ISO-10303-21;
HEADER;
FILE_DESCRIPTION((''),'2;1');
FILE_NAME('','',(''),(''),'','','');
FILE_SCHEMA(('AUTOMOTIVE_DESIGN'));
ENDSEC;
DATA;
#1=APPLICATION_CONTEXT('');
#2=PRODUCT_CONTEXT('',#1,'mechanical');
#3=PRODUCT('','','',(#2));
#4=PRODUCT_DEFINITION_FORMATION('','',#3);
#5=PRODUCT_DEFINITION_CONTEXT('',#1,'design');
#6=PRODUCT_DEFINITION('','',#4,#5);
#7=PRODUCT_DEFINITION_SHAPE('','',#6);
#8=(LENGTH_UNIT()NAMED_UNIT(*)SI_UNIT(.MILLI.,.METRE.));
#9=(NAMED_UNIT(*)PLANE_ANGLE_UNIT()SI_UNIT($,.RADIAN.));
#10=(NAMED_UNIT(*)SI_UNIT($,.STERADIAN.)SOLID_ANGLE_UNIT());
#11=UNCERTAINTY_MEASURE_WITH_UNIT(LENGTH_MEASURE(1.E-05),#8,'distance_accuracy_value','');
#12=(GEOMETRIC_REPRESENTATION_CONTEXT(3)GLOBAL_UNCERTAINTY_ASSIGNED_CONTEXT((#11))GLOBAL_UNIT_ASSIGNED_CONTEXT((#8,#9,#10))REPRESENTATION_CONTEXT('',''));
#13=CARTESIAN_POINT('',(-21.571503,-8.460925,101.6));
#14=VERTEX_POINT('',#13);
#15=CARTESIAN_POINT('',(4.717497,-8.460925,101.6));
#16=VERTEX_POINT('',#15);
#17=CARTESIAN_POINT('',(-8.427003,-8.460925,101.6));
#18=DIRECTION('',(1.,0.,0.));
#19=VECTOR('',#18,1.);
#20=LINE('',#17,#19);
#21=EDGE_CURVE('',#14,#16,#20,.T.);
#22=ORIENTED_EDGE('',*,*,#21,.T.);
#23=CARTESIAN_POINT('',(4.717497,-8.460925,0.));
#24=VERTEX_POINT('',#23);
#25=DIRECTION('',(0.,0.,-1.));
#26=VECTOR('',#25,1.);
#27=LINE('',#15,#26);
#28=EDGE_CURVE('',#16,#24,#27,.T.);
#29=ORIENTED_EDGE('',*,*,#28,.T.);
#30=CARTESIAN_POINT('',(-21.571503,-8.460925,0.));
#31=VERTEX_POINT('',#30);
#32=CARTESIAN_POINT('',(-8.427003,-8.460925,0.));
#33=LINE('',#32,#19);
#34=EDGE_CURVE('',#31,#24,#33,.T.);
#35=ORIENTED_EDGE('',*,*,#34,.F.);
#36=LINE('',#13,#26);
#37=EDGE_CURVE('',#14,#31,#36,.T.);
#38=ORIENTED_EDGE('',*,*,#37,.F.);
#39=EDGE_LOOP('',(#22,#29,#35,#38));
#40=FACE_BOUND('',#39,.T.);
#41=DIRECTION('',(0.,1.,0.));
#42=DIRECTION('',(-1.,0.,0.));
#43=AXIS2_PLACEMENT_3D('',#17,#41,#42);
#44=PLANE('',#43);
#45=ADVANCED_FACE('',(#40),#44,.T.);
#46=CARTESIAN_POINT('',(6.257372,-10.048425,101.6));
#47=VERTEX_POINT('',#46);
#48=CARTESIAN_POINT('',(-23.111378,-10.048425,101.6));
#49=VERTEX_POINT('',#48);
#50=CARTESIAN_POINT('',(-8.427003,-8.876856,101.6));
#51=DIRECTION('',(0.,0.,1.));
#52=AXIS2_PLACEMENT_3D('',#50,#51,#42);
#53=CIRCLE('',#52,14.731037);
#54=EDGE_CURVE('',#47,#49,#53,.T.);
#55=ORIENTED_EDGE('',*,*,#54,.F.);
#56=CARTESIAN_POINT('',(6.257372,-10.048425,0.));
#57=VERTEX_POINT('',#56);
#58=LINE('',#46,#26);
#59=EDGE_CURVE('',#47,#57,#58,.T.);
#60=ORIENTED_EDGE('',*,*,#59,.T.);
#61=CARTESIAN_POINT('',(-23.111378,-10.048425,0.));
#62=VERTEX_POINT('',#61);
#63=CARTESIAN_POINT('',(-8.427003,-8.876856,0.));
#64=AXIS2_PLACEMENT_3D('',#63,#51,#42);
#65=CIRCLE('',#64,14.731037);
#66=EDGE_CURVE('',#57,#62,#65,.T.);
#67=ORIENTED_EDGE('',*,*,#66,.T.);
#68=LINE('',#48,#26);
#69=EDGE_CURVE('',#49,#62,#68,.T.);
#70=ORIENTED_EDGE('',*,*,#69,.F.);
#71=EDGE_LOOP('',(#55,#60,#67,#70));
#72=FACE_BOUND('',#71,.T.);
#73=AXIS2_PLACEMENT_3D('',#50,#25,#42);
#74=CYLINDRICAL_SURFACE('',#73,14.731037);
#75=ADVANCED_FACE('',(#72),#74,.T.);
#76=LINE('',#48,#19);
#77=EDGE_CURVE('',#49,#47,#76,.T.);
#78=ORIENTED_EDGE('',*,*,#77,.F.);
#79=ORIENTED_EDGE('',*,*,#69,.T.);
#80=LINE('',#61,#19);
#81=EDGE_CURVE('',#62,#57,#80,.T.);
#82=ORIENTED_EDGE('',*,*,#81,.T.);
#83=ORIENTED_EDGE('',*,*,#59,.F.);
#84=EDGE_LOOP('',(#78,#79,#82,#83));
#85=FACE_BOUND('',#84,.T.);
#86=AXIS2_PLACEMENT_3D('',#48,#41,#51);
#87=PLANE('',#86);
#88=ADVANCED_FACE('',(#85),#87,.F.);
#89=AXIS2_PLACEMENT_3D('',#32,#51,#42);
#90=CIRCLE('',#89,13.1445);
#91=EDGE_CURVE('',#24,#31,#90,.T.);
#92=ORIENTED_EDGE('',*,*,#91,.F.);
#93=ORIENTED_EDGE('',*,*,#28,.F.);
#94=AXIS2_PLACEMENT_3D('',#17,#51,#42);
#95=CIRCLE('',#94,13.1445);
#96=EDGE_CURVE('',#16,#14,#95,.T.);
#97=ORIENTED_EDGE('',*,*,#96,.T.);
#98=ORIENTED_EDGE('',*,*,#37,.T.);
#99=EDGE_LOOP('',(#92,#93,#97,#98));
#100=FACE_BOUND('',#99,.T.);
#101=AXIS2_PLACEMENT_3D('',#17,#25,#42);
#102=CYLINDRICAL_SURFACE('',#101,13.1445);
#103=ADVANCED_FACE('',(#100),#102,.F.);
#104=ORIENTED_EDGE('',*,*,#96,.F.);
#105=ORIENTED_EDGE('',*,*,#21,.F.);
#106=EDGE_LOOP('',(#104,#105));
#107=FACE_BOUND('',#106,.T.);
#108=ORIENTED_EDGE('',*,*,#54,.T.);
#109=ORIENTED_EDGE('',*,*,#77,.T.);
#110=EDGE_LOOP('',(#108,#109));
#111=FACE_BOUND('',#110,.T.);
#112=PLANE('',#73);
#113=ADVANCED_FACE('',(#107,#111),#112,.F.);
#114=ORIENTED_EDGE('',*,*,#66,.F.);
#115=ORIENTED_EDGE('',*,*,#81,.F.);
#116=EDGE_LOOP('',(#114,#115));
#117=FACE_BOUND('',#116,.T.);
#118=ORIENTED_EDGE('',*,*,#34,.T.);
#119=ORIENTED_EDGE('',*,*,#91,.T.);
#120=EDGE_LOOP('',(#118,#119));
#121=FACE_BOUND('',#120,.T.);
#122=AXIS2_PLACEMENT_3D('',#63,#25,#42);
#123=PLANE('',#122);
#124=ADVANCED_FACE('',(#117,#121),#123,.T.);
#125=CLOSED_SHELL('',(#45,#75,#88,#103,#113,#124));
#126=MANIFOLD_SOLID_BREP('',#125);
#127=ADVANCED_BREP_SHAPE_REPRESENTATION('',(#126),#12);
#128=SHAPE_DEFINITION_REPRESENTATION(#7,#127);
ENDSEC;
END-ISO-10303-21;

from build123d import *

# Parameters (mm, degrees)
BOSS_EXTRUDE2_DEPTH = 101.6


with BuildPart() as part:
    # Sketch1 → Boss-Extrude2 (new body)
    with BuildSketch(Plane.XY):
        with BuildLine():
            Line((-23.111377793, -10.048425127), (6.257372207, -10.048425127))
            ThreePointArc((6.257372207, -10.048425127), (-8.427002793, 5.85418124), (-23.111377793, -10.048425127))
        make_face()
        with BuildLine():
            Line((-8.427002793, -8.460925127), (-21.571502793, -8.460925127))
            ThreePointArc((-21.571502793, -8.460925127), (-8.427002793, 4.683574873), (4.717497207, -8.460925127))
            Line((4.717497207, -8.460925127), (-8.427002793, -8.460925127))
        make_face(mode=Mode.SUBTRACT)
    extrude(amount=BOSS_EXTRUDE2_DEPTH)


solid = part.part
